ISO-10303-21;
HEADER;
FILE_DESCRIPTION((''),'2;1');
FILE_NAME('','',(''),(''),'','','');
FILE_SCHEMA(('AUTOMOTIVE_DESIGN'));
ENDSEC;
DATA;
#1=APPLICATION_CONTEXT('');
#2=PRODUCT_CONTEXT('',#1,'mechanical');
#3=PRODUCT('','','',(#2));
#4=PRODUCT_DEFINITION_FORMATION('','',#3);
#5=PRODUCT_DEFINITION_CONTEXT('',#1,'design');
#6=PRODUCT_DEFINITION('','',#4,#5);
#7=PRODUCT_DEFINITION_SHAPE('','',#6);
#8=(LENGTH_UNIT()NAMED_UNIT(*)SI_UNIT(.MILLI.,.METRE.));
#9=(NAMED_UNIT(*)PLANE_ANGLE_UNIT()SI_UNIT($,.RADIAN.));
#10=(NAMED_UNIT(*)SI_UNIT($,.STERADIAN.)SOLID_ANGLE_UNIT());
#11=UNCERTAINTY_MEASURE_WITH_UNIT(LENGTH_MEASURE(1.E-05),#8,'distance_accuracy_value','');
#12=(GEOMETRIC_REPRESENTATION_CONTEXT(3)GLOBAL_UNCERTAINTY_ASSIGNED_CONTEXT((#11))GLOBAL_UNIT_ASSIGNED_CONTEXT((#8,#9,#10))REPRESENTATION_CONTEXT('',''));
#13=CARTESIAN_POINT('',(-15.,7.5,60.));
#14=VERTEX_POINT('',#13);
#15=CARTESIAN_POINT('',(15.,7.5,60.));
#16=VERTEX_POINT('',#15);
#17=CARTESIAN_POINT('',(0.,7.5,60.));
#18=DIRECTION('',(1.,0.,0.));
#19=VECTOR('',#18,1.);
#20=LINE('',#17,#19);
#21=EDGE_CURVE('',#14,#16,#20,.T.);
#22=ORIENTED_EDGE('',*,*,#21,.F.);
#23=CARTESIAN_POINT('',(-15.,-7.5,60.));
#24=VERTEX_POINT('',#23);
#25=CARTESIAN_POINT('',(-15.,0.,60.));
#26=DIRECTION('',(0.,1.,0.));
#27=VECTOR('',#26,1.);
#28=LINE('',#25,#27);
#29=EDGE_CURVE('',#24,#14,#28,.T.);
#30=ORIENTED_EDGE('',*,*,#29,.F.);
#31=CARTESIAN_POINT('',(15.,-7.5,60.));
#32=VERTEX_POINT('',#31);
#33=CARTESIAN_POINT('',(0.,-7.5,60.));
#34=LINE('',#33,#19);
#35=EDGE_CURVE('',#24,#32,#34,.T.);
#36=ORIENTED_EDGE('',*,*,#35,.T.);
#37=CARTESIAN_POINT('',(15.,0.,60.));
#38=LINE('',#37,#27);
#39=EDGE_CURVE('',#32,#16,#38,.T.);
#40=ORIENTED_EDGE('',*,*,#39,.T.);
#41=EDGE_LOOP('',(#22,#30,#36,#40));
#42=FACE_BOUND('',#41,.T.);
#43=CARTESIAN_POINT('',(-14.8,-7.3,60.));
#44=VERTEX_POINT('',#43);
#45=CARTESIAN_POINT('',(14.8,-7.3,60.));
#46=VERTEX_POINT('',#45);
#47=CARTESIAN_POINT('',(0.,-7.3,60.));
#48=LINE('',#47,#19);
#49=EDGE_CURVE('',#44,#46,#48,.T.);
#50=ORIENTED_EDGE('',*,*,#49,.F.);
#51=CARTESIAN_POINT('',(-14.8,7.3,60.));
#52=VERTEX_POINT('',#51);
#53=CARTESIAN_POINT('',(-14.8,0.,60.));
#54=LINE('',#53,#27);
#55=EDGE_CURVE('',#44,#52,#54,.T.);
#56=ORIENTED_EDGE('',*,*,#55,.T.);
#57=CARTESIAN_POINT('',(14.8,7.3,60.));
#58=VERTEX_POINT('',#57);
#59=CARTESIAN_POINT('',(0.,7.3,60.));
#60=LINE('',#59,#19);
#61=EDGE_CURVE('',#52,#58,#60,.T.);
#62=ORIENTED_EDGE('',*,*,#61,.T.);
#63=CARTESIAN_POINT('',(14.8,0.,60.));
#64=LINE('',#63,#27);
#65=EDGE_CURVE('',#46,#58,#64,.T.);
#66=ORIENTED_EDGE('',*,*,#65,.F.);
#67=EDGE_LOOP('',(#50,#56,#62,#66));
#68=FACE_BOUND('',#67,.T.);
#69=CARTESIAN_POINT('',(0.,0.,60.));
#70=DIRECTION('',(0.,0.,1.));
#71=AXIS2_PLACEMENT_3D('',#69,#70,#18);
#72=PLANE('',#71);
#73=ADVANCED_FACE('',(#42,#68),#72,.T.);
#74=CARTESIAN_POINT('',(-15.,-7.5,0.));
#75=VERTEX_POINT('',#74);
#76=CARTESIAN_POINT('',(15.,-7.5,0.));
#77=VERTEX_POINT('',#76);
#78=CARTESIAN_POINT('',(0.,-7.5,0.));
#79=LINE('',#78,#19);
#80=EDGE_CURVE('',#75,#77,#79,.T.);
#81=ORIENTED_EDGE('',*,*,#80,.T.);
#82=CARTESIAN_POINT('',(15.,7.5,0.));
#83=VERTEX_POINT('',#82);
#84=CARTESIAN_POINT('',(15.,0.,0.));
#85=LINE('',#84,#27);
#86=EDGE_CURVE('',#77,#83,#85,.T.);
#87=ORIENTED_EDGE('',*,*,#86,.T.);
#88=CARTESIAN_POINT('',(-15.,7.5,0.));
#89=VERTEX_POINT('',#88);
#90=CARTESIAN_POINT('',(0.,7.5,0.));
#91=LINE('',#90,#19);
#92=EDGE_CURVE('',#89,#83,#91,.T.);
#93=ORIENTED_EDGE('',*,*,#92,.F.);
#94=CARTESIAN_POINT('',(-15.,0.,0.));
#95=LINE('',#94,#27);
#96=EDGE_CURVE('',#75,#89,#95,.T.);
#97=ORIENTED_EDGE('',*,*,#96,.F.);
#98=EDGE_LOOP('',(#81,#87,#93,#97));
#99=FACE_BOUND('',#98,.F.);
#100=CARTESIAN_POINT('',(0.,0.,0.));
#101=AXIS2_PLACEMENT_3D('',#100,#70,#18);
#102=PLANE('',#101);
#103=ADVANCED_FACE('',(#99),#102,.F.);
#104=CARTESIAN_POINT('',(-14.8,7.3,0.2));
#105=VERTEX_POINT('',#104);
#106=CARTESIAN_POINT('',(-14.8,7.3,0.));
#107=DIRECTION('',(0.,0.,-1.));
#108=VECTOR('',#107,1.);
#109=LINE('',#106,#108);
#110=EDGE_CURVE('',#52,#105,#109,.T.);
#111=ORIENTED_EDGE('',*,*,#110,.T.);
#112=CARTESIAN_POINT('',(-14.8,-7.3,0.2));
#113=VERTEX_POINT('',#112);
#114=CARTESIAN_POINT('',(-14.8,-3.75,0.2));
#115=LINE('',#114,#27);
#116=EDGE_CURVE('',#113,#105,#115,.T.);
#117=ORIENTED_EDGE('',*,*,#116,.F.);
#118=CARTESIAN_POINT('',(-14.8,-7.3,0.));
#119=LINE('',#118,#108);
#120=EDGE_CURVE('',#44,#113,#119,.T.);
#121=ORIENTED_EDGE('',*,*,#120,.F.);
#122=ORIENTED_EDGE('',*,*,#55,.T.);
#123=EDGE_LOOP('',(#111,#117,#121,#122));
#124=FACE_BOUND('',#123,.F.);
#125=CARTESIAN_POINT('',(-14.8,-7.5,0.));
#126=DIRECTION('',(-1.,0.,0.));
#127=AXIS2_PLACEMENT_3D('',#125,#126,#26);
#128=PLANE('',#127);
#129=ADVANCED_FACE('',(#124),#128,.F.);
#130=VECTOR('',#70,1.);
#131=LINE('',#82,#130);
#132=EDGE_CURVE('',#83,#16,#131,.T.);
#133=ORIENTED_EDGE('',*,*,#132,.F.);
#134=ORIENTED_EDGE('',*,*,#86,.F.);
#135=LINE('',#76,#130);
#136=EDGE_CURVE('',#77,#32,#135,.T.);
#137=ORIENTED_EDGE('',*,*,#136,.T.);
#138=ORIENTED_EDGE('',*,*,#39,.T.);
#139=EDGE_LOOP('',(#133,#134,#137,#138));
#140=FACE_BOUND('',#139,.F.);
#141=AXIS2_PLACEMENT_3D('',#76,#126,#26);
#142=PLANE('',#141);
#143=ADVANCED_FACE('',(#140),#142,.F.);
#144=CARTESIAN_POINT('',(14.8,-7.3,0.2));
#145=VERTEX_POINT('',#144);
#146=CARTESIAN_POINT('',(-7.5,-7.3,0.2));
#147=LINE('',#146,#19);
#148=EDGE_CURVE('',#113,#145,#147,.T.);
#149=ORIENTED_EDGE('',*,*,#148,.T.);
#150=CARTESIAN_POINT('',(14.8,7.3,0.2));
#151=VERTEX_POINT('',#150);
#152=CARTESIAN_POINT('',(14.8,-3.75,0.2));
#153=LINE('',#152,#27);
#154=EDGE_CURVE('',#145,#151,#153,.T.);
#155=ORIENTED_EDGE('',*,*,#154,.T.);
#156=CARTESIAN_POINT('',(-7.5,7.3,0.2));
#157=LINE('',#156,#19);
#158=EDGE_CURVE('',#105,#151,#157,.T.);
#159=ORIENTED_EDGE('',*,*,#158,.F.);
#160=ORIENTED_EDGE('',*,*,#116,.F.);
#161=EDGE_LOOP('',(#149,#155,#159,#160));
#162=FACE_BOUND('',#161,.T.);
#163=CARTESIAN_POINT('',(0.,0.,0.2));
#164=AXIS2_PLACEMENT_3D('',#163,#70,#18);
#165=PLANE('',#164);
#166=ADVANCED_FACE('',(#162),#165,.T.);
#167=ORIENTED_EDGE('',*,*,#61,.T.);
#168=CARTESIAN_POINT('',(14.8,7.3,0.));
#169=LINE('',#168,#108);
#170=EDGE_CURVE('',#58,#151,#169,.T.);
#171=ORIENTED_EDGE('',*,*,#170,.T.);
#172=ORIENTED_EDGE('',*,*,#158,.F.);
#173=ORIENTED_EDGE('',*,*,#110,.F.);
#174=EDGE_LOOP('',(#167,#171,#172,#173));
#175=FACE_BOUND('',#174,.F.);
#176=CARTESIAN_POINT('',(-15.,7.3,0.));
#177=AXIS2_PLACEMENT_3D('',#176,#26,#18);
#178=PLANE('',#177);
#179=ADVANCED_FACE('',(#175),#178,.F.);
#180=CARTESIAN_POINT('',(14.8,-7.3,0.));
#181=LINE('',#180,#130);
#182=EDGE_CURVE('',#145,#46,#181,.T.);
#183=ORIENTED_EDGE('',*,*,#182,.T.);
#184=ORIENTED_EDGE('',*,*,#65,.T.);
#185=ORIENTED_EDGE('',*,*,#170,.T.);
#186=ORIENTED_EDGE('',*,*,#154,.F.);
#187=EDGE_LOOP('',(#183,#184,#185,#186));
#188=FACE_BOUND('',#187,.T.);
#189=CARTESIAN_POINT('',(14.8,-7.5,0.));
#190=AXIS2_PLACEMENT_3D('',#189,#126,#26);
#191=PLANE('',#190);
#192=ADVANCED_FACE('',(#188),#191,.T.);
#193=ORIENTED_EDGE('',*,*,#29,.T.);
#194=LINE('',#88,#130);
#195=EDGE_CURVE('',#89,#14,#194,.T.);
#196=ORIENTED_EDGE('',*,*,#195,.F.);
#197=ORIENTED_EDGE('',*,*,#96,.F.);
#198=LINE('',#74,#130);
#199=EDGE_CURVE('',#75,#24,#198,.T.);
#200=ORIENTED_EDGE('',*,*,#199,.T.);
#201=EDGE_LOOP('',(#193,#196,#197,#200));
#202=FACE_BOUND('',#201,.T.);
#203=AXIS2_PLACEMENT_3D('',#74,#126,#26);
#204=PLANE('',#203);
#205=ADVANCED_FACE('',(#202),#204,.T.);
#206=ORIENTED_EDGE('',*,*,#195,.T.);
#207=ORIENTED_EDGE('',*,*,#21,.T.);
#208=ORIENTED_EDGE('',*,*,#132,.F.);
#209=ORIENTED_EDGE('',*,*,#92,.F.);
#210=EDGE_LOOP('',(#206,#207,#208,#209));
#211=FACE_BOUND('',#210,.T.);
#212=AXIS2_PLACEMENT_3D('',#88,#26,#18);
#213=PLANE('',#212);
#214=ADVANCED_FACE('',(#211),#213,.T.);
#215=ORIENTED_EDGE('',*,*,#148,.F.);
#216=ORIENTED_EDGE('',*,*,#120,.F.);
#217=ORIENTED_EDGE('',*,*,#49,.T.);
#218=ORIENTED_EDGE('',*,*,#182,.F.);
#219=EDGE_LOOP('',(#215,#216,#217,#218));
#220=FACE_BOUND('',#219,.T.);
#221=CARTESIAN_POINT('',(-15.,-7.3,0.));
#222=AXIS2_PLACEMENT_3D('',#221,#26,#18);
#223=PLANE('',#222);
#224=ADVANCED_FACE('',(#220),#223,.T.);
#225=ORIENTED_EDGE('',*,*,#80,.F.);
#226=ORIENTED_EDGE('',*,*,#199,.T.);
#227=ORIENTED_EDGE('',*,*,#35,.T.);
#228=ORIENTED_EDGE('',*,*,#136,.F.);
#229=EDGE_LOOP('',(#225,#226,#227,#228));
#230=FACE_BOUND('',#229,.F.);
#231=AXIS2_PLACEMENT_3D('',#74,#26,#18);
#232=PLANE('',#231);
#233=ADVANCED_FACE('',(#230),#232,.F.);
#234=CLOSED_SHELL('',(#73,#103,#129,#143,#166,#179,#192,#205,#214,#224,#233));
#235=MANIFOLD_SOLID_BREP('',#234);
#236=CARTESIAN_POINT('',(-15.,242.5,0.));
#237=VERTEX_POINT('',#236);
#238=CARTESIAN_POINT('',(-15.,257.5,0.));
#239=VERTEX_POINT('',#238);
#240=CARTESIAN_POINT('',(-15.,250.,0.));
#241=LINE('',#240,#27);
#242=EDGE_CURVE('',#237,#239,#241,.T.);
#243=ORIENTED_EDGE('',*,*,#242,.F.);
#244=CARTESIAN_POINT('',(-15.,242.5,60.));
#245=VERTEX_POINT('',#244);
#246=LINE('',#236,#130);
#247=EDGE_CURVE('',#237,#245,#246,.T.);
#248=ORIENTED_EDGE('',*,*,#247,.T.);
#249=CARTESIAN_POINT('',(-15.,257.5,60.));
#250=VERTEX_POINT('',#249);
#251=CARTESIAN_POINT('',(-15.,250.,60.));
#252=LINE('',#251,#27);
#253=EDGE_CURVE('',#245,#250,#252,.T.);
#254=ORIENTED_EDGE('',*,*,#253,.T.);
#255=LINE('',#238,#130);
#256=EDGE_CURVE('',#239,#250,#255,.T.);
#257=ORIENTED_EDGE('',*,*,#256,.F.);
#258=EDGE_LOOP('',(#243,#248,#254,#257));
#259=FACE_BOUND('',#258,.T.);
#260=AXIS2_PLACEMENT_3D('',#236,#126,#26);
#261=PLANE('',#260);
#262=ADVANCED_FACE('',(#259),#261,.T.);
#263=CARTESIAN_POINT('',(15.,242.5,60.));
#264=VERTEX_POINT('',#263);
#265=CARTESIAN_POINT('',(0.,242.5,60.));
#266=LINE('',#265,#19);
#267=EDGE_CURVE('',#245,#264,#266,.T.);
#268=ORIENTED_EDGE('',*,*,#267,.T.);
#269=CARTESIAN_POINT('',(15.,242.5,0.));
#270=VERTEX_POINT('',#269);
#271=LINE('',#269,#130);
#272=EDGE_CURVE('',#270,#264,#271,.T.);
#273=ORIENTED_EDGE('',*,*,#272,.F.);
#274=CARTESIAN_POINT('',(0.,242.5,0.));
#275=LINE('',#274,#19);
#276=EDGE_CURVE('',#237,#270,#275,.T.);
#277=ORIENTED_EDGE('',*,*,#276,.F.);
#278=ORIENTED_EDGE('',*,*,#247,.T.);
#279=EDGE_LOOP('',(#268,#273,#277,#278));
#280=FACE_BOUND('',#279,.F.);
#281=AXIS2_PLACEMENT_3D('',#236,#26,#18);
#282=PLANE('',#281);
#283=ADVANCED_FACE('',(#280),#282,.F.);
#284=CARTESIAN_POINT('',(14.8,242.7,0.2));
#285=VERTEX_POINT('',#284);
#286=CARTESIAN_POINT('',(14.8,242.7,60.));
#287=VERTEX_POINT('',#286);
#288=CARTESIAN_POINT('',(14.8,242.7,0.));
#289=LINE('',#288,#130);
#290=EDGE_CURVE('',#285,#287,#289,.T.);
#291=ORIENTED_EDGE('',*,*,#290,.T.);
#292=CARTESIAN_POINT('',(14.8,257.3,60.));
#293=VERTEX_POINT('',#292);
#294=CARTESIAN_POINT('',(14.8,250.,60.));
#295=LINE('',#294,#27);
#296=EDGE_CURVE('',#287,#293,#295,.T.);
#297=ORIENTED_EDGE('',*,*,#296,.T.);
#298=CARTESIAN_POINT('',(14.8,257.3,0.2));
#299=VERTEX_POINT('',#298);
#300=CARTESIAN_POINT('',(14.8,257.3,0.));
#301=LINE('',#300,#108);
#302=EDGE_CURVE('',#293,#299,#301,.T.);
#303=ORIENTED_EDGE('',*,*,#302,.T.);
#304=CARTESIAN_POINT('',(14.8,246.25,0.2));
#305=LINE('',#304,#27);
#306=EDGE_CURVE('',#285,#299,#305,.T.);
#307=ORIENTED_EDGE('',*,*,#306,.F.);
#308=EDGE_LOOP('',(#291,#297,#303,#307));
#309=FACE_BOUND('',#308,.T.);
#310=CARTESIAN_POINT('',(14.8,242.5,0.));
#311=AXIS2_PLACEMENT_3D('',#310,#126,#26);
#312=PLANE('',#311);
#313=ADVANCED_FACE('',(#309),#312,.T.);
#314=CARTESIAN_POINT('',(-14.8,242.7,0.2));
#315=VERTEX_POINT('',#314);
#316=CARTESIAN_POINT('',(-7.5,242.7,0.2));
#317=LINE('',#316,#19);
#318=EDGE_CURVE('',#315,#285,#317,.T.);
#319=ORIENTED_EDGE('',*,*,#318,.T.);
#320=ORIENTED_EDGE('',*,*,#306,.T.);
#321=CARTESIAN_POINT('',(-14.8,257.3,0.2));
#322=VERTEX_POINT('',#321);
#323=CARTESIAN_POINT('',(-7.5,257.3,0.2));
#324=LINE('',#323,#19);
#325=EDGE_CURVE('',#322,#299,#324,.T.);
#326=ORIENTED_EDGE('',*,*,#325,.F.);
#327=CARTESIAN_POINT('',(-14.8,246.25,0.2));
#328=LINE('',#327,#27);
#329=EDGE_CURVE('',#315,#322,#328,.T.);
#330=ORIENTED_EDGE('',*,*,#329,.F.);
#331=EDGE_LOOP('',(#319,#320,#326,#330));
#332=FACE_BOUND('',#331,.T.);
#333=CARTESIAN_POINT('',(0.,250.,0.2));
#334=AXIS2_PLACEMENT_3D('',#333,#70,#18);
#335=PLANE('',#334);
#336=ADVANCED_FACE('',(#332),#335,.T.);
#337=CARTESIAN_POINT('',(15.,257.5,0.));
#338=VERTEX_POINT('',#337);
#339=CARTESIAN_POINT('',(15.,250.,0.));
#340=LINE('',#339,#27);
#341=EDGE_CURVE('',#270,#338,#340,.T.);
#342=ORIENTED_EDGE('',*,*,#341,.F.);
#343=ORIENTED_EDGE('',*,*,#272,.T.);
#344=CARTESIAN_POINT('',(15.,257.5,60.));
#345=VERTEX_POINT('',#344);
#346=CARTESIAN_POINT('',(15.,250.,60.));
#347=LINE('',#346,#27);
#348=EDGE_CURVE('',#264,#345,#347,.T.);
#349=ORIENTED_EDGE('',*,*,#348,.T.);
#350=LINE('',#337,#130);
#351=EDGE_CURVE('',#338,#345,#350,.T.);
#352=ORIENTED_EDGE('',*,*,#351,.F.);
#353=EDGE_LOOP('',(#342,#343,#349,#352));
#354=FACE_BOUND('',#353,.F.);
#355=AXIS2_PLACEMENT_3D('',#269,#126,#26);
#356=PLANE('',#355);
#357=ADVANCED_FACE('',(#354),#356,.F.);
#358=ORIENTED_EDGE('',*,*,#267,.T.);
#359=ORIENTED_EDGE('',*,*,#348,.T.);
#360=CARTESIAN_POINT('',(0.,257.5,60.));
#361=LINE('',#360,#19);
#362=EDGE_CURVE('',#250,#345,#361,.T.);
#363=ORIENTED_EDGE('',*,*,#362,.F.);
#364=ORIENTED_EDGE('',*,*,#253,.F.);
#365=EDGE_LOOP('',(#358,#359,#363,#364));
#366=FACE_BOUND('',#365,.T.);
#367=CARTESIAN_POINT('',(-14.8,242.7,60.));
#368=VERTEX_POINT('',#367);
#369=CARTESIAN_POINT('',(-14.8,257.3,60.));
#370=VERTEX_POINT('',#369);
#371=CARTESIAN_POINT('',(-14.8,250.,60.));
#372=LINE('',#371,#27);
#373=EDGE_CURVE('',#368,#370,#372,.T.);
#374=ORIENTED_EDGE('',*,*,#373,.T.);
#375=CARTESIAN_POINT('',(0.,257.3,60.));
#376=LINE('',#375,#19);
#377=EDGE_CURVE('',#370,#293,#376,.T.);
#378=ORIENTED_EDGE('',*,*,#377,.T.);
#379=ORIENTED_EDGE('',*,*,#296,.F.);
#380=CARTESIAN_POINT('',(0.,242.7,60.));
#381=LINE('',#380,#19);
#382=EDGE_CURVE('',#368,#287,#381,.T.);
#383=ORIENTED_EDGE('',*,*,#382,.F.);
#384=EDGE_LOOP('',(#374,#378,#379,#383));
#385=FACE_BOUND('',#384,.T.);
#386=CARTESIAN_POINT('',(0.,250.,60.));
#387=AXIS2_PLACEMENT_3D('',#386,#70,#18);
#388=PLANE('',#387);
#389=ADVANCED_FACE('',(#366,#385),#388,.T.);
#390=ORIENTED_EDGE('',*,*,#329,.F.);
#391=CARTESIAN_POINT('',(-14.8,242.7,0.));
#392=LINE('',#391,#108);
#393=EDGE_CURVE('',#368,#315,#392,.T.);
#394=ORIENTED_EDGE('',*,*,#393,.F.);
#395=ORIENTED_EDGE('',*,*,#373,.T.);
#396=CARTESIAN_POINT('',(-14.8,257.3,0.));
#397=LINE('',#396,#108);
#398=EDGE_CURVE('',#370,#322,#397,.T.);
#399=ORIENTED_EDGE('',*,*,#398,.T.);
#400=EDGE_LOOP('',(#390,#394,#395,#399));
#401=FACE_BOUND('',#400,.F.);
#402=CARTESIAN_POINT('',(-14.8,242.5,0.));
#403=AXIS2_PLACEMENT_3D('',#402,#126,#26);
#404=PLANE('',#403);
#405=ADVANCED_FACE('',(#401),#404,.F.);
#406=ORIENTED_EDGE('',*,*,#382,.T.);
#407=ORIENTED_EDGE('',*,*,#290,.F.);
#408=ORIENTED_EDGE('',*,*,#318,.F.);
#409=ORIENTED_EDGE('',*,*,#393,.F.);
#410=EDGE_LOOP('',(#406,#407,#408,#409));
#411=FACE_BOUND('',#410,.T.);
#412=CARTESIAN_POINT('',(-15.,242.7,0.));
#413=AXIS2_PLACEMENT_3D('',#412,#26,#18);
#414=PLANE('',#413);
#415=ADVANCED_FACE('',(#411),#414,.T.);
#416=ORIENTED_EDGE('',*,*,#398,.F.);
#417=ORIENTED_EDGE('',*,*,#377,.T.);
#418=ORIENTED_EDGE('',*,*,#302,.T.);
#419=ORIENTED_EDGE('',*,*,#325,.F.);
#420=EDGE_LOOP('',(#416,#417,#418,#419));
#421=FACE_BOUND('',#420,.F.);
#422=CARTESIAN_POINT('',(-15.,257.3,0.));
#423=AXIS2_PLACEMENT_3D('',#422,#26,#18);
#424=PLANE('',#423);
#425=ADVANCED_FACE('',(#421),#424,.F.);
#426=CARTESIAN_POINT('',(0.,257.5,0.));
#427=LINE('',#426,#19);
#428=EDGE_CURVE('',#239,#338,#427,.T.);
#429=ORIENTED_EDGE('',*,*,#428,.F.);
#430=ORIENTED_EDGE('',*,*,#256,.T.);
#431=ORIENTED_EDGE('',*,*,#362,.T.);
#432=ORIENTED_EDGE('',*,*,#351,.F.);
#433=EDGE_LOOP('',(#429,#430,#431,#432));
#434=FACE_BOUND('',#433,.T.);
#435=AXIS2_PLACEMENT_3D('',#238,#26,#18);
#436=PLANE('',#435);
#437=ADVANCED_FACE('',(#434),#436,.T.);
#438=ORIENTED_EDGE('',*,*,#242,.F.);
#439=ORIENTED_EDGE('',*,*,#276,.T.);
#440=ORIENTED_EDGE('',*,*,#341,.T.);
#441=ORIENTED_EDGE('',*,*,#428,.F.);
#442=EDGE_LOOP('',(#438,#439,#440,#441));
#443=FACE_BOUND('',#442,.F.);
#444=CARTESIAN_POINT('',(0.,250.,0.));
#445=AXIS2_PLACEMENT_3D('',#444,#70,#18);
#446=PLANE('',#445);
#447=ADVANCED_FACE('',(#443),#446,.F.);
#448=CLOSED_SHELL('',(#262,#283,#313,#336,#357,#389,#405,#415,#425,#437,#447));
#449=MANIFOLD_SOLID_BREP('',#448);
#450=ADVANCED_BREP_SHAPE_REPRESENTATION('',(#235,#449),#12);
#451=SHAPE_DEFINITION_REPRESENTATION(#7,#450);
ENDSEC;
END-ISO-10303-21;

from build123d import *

# Parameters (mm, degrees)
F0_W     = 30
F0_H     = 15
F1_DEPTH = 60
F2_T     = -0.2
F2_2_T   = -0.2


with BuildPart() as f1:
    # F0 (on Top) → F1 (new body)
    with BuildSketch(Plane.XY):
        Rectangle(F0_W, F0_H)
    extrude(amount=F1_DEPTH)

    # F2
    f2_openings = [f1.faces().sort_by_distance(p)[0] for p in [
        (0, 0, 60),
    ]]
    offset(amount=F2_T, openings=f2_openings)


with BuildPart() as f1b:
    # F0 (on Top) → F1, piece 2 (new body)
    with BuildSketch(Plane.XY):
        with Locations((0, 250)):
            Rectangle(F0_W, F0_H)
    extrude(amount=F1_DEPTH)

    # F2#2
    f2_2_openings = [f1b.faces().sort_by_distance(p)[0] for p in [
        (0, 250, 60),
    ]]
    offset(amount=F2_2_T, openings=f2_2_openings)


solid = Compound([f1.part, f1b.part])
